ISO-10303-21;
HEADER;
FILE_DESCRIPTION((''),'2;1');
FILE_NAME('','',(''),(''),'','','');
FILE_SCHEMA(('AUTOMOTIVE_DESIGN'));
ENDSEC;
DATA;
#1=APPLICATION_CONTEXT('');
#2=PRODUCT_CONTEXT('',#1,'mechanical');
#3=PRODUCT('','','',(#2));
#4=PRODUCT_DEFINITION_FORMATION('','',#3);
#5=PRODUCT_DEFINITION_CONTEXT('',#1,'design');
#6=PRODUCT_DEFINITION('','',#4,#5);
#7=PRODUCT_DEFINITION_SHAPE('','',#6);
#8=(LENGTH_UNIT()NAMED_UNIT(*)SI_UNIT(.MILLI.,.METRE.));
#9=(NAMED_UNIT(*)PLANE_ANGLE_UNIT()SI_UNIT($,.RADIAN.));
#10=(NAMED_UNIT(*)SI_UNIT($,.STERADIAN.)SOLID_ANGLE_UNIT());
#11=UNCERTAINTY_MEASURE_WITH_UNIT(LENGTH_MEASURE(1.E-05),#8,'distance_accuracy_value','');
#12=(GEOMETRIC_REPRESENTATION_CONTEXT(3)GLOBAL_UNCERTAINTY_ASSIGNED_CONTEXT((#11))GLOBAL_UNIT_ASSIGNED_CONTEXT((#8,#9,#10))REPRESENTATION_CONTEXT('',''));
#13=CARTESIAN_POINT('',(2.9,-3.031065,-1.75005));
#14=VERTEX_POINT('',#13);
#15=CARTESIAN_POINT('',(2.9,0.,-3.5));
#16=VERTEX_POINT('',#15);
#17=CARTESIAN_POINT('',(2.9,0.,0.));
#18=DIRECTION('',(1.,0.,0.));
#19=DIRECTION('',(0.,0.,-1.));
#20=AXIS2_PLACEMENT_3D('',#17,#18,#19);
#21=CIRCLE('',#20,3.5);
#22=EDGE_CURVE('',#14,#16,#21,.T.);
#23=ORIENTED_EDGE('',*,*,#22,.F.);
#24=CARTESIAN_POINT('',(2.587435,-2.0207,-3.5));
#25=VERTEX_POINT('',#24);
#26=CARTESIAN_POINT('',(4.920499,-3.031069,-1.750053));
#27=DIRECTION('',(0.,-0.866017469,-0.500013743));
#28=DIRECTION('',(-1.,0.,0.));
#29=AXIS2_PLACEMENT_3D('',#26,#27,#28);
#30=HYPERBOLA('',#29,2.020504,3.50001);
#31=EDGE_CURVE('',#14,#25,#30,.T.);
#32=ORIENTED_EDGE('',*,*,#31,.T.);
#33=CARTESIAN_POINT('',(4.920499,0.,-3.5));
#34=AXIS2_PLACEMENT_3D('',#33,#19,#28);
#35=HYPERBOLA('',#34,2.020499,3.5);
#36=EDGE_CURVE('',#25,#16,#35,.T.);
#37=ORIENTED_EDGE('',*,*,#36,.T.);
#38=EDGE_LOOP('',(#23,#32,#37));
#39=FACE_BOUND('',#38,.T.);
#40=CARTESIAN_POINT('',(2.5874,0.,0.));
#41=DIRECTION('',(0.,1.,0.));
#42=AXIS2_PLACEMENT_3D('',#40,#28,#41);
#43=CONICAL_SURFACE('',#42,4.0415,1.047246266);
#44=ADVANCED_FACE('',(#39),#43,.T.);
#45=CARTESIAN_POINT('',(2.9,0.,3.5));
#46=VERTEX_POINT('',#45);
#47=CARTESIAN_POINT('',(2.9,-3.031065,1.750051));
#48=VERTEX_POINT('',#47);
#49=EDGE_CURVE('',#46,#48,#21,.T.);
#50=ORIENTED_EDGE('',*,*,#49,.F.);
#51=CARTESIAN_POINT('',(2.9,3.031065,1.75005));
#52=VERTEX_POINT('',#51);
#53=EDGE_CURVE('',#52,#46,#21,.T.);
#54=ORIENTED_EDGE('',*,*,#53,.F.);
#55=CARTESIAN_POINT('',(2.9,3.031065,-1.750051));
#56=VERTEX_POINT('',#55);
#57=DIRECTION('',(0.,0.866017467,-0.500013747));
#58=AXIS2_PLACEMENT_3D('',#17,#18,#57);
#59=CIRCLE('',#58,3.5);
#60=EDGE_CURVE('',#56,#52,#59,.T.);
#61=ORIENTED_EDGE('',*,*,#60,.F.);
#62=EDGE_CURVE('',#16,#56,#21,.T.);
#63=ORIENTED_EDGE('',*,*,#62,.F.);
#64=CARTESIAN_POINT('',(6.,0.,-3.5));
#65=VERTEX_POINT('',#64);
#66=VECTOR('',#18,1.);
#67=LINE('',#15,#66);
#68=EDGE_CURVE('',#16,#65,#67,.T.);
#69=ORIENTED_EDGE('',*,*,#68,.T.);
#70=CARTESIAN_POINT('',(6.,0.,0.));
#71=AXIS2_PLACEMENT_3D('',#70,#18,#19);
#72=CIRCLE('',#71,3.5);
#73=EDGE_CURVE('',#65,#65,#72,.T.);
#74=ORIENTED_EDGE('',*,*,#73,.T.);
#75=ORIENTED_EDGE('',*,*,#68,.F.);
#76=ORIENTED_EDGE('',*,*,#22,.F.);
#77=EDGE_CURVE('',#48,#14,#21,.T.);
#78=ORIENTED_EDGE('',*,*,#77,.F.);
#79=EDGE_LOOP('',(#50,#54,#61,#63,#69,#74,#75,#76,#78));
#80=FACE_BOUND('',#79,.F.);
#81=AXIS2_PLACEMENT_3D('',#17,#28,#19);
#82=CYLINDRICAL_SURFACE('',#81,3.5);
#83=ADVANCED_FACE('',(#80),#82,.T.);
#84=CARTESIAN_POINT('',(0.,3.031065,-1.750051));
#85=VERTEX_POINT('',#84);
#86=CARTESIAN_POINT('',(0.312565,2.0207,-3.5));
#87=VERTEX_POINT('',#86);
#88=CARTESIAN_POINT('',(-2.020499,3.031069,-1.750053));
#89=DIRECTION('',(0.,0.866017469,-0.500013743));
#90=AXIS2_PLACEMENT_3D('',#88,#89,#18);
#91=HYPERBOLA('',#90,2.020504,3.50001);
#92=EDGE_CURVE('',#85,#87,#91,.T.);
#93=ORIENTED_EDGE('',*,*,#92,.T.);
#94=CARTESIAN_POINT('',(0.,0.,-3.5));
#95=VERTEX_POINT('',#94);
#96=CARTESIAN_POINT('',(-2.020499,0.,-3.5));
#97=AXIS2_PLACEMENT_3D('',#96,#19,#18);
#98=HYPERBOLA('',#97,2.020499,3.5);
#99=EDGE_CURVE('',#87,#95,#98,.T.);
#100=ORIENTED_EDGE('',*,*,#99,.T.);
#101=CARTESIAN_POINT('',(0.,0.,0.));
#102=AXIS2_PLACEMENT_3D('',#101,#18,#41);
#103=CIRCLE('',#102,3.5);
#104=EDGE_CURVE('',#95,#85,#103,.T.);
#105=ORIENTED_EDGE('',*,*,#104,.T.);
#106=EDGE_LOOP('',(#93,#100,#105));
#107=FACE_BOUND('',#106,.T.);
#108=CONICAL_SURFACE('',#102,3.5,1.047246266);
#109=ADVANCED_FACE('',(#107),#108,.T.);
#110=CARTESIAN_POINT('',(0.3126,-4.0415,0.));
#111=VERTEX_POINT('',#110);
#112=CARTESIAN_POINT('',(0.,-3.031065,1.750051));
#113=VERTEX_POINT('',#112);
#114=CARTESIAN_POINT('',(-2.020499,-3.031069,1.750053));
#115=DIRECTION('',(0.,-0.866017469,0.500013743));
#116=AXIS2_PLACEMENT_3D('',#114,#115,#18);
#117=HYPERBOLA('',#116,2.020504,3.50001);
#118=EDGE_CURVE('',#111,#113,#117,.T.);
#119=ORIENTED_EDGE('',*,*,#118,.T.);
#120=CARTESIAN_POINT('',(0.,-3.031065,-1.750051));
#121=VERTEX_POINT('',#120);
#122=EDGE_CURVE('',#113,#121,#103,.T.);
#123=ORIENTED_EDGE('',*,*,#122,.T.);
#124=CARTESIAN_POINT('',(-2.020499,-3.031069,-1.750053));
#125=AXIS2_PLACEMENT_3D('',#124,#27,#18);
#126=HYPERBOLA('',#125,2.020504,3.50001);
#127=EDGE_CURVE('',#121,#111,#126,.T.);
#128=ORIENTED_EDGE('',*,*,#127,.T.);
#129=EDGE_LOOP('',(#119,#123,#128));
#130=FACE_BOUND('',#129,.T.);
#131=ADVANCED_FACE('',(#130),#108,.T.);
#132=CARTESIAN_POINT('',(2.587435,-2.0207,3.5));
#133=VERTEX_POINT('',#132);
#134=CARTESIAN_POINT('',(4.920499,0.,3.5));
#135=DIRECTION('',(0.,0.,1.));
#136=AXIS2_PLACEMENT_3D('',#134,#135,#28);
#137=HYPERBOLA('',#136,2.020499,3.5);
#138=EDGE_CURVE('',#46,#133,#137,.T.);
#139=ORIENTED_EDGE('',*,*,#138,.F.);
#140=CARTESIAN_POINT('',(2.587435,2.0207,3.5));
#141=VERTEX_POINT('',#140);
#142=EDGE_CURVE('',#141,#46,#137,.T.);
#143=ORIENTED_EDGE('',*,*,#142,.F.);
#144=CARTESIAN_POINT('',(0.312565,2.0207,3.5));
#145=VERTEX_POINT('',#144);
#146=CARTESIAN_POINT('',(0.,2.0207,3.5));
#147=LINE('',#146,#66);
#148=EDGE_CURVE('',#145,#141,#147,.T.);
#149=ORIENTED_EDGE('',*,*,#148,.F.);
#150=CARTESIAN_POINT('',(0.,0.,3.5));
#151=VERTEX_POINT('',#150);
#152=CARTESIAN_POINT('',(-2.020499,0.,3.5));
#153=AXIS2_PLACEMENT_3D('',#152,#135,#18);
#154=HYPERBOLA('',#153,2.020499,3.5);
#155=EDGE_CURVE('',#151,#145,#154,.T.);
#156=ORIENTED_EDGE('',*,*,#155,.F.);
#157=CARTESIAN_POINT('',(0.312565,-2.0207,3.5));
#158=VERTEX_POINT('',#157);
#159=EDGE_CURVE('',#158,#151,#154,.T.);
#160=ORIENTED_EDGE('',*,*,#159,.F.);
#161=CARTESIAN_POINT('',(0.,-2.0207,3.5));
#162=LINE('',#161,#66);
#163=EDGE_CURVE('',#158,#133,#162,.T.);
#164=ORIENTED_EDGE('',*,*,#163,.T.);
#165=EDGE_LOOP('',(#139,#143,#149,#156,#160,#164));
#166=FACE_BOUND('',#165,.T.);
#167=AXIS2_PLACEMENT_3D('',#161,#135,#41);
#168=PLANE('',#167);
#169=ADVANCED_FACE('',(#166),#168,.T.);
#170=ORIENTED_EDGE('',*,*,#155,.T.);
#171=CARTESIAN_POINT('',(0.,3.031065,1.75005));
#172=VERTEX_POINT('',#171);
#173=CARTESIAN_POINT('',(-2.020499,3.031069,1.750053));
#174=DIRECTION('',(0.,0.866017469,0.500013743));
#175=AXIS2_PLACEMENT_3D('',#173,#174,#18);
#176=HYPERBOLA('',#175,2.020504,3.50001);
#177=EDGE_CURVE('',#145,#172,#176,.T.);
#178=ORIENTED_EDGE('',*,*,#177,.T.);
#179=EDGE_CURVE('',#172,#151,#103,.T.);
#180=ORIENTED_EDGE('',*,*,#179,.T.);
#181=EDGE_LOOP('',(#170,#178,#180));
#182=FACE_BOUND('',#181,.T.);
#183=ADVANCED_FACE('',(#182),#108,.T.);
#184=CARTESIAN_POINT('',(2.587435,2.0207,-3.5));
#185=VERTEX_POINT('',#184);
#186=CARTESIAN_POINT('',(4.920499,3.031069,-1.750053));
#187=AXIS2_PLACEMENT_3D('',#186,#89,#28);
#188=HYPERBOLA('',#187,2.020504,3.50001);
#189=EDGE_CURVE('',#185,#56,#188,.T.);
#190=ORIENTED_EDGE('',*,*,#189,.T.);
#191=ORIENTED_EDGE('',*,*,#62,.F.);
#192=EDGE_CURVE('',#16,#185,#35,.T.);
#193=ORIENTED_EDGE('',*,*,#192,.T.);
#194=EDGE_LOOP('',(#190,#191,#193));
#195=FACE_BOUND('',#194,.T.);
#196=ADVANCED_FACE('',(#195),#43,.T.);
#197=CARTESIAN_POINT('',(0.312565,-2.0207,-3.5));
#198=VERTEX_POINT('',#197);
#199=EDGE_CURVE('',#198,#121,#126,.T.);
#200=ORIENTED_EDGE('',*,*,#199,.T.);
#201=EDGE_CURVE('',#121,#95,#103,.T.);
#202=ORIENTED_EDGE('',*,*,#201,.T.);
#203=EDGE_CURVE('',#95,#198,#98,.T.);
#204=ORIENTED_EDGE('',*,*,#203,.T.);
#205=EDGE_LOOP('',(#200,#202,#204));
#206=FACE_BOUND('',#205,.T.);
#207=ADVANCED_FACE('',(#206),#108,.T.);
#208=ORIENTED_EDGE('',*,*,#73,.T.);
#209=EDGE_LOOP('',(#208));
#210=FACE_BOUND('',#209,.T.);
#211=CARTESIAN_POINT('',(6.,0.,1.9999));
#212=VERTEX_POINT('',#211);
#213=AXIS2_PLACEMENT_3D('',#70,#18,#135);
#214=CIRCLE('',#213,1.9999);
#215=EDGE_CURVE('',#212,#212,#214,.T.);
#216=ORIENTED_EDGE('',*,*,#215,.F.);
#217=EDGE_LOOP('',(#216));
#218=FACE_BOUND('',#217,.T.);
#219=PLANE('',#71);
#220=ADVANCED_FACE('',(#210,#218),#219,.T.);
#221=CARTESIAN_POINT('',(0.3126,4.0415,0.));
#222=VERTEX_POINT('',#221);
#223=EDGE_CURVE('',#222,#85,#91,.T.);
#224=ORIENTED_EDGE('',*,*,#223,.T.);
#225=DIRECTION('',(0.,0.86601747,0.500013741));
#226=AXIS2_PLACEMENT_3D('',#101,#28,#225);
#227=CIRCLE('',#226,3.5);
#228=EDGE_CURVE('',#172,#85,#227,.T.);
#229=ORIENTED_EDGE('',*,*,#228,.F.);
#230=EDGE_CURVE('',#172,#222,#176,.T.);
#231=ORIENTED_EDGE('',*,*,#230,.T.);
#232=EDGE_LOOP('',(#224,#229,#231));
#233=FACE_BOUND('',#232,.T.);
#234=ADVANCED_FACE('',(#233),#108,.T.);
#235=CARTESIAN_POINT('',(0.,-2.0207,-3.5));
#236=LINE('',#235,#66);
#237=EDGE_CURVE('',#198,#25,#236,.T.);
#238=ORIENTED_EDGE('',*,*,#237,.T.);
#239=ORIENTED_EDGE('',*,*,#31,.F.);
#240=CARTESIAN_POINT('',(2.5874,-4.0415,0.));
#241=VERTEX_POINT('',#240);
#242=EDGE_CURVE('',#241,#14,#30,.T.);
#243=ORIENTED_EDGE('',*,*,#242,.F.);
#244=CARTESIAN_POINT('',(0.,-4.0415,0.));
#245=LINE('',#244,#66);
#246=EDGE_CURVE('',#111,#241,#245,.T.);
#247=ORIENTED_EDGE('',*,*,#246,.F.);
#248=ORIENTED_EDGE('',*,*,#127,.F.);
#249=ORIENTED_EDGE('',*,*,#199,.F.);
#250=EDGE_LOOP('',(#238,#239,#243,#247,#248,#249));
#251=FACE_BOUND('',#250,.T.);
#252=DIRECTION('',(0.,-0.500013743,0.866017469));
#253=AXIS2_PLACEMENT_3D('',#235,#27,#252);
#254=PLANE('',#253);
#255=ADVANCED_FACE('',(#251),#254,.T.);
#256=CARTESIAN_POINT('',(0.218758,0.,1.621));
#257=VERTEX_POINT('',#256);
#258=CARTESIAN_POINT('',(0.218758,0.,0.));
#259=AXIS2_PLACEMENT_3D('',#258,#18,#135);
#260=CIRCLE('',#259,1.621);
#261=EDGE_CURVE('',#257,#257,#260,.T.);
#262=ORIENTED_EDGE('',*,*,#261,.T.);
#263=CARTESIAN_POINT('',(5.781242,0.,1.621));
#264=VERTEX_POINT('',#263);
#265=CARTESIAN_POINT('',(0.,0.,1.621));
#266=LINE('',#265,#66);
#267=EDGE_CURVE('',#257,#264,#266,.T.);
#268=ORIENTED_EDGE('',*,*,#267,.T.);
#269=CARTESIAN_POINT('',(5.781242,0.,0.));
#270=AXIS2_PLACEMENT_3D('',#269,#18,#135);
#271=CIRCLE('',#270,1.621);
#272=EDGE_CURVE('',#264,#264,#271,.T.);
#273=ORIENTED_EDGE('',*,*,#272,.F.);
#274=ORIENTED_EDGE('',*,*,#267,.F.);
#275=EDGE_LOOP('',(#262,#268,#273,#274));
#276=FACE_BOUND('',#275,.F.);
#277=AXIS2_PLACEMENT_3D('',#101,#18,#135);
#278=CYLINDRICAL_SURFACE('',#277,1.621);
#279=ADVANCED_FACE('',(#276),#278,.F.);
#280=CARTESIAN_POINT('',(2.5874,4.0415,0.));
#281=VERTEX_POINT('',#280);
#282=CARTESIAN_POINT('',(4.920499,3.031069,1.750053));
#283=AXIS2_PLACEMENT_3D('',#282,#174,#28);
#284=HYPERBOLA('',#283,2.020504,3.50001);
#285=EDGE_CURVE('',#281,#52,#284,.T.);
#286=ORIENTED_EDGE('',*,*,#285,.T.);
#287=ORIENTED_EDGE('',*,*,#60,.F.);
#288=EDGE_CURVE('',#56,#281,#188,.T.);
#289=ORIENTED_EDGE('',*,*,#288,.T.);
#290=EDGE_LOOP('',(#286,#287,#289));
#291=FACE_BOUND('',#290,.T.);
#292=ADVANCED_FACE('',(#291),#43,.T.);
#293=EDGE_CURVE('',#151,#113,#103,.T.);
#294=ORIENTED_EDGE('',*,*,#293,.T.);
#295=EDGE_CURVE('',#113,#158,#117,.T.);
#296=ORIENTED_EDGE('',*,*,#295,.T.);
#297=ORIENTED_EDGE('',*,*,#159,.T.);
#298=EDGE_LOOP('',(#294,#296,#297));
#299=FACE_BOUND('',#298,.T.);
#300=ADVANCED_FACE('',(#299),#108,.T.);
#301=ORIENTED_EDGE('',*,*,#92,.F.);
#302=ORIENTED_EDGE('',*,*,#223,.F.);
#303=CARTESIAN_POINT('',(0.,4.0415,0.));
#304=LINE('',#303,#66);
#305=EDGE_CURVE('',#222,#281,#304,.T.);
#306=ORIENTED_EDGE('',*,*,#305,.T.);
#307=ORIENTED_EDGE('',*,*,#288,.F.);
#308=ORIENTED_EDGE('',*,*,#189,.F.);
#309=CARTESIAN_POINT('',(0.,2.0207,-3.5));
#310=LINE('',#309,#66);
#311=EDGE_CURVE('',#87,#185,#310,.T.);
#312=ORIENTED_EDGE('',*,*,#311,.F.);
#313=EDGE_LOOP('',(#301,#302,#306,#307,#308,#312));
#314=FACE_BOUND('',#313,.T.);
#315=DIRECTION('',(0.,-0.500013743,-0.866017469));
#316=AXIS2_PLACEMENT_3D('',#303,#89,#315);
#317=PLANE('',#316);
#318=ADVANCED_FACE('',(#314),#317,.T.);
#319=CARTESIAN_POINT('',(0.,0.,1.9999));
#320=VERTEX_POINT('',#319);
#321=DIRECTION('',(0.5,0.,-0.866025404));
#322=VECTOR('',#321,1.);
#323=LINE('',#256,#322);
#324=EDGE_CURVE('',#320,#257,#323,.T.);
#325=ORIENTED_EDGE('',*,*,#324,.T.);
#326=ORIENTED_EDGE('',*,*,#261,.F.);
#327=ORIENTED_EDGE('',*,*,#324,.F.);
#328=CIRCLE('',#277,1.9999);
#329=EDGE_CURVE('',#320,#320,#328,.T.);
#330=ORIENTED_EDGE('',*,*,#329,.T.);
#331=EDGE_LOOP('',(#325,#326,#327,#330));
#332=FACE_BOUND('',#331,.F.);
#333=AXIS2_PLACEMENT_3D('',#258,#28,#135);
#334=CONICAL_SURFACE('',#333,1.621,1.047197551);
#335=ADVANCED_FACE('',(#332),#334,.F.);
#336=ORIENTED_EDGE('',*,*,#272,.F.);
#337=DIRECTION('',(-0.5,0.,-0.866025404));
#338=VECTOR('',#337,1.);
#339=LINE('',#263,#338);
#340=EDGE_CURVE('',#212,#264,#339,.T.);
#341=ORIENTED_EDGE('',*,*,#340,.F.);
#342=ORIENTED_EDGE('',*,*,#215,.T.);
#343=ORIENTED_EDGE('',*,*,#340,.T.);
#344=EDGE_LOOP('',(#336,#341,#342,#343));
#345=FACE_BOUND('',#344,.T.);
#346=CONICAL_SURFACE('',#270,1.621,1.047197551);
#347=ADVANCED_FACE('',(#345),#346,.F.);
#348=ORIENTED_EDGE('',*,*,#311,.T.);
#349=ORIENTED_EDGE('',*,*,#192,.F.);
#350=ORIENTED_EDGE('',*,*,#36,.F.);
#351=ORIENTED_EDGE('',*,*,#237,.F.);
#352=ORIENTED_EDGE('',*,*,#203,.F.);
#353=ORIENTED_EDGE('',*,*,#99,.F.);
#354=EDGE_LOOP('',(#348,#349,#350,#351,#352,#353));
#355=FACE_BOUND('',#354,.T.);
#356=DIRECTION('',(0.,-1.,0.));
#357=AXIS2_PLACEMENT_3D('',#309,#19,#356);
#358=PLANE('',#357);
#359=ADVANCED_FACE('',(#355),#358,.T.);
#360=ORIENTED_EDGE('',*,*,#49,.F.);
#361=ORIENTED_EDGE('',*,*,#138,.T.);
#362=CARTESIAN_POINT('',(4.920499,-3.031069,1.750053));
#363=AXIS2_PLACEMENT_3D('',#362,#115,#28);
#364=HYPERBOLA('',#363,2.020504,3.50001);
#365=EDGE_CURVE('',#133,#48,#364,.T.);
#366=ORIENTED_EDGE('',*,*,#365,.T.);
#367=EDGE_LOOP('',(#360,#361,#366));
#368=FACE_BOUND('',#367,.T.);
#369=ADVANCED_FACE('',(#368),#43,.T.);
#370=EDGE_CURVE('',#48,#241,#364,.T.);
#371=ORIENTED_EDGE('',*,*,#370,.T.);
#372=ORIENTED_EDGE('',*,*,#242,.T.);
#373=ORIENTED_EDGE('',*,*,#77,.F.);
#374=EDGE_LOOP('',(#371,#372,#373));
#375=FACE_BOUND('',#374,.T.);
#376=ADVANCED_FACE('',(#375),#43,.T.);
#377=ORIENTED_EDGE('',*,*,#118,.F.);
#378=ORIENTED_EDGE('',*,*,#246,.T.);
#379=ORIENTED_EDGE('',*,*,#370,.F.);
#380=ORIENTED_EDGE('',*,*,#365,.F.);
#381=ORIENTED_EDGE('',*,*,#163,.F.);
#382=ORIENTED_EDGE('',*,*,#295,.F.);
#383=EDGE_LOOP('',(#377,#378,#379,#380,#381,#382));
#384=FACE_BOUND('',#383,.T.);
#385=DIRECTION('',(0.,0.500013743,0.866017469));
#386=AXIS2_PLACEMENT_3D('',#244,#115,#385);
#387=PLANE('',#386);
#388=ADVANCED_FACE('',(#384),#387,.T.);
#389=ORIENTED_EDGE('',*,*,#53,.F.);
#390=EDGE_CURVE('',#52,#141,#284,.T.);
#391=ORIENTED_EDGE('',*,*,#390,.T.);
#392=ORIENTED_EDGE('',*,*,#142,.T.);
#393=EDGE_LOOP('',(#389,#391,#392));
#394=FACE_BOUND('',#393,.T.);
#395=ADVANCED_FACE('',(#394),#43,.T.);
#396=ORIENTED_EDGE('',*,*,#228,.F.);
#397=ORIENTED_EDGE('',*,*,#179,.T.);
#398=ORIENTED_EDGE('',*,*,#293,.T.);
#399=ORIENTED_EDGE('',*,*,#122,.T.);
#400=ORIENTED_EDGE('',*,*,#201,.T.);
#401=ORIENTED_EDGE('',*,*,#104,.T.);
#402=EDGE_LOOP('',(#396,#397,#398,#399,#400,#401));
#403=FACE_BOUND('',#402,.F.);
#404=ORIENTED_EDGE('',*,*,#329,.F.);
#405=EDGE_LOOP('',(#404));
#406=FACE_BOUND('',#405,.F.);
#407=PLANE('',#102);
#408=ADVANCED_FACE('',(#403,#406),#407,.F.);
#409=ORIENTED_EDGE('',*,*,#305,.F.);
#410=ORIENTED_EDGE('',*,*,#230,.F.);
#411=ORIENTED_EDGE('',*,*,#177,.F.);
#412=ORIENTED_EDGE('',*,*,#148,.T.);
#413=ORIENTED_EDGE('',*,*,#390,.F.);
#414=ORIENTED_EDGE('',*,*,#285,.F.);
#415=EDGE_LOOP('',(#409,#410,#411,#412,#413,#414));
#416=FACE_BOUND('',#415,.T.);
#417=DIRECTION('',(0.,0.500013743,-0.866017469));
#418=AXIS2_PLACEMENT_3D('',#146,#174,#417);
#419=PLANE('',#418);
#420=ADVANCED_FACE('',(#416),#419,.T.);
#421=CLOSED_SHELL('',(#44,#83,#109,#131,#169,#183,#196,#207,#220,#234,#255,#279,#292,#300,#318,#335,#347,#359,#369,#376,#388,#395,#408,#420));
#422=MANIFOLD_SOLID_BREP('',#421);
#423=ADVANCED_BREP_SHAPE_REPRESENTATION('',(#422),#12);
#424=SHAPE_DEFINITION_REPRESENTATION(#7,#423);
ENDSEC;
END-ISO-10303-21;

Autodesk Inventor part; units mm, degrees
ref_plane "YZ Plane" through (0, 0, 0) normal (1, 0, 0) x (0, 1, 0)
ref_plane "XZ Plane" through (0, 0, 0) normal (0, 1, 0) x (-1, 0, 0)
sketch "Sketch1" plane through (0, 0, 0) normal (1, 0, 0) x (0, 1, 0)
  line L0 (2.0207, -3.5) -> (-2.0207, -3.5)
  line L1 (-2.0207, -3.5) -> (-4.0415, 0)
  line L2 (-4.0415, 0) -> (-2.0207, 3.5)
  line L3 (-2.0207, 3.5) -> (2.0207, 3.5)
  line L4 (2.0207, 3.5) -> (4.0415, 0)
  line L5 (4.0415, 0) -> (2.0207, -3.5)
  point P0 (0, 0)
  point P1 (0, 0)
  dimension "d0" = 8.0829
extrude "Body" add sketch "Sketch1" along normal blind 2.9
sketch "Sketch2" plane through (2.9, 0, 0) normal (1, 0, 0) x (0, 0, -1)
  circle A0 centre (0, 0) radius 3.5
  dimension "d7" = 7
extrude "Ring" add sketch "Sketch2" along normal blind 3.1
sketch "Sketch3" plane through (0, 0, 0) normal (0, 0, 1) x (1, 0, 0)
  line L0 (0, 2.0207) -> (0, 4.0415) projected
  line L1 (0, 4.0415) -> (2.9, 4.0415) projected
  line L2 (2.9, 2.0207) -> (2.9, 4.0415) projected
  line L3 (-0.58, 0) -> (3.48, 0) projected
  line L4 (0, 3.5) -> (0.3126, 4.0415)
  line L5 (2.5874, 4.0415) -> (2.9, 3.5)
  dimension "d3" = 30
  dimension "d4" = 30
  dimension "d5" = 7
  dimension "d6" = 7
revolve "Chamfer1" cut sketch "Sketch3" angle 360 about axis through (-10, 0, 0) along (1, 0, 0)
sketch "Sketch4" plane through (0, 0, 0) normal (-1, 0, 0) x (0, 0, 1)
  line L0 (0, -5.658) -> (0, 5.658) projected
  line L1 (-4.9, 0) -> (4.9, 0) projected
  point P0 (0, 0)
hole "Thread" at (0, 0, 0) direction (1, 0, 0) diameter 3.242 end through all thread size "M4x0.7" class "6H" standard "ISO Metric profile"
chamfer "Chamfer2" distance 0.3789 angle 30 1 edges at (0, 0, -1.621) measured on face at (0, 2.8569, 0.0651)
chamfer "Chamfer3" distance 0.3789 angle 30 1 edges at (6, 0, -1.621) measured on face at (6, -0.4085, -2.8241)
ref_plane "Work Plane1" through (12.261, 0, 0) normal (0, 0, 1) x (-1, 0, 0)
equation "\"d0\" = 1.1547 * SW"
equation "\"d1\" = KOH1"
equation "\"d7\" = SD2"
equation "\"d8\" = KOH - KOH1"
equation "\"d3\" = ANG1"
equation "\"d4\" = ANG2"
equation "\"d5\" = SW0"
equation "\"d6\" = SW01"
equation "\"d10\" = -0.5 * GD1 + 0.5 * NND"
equation "\"d46\" = -0.5 * GD1 + 0.5 * NND"
equation "\"d12\" = -0.5 * GD1 + 0.5 * NND"
equation "\"d47\" = -0.5 * GD1 + 0.5 * NND"
equation "\"ANG1\" = 30deg"
equation "\"ANG2\" = ANG1"
equation "\"NND\" = 4"
equation "\"KOH1\" = 2.9"
equation "\"KOH\" = 6"
equation "\"SW\" = 7"
equation "\"SW0\" = SW"
equation "\"SW01\" = SW"
equation "\"SD2\" = SW"
equation "\"GUL\" = 0.541266 * PTC"
equation "\"THREADDIA\" = 4"
equation "\"TOA\" = 30deg"
equation "\"PTC\" = 0.7"
equation "\"E0\" = 1.155 * SW"
equation "\"GAL\" = 0.541266 * PTC"
equation "\"GD1\" = 3.242228"
properties part number "NF E 25-409 - M4" material "Steel, Mild"
